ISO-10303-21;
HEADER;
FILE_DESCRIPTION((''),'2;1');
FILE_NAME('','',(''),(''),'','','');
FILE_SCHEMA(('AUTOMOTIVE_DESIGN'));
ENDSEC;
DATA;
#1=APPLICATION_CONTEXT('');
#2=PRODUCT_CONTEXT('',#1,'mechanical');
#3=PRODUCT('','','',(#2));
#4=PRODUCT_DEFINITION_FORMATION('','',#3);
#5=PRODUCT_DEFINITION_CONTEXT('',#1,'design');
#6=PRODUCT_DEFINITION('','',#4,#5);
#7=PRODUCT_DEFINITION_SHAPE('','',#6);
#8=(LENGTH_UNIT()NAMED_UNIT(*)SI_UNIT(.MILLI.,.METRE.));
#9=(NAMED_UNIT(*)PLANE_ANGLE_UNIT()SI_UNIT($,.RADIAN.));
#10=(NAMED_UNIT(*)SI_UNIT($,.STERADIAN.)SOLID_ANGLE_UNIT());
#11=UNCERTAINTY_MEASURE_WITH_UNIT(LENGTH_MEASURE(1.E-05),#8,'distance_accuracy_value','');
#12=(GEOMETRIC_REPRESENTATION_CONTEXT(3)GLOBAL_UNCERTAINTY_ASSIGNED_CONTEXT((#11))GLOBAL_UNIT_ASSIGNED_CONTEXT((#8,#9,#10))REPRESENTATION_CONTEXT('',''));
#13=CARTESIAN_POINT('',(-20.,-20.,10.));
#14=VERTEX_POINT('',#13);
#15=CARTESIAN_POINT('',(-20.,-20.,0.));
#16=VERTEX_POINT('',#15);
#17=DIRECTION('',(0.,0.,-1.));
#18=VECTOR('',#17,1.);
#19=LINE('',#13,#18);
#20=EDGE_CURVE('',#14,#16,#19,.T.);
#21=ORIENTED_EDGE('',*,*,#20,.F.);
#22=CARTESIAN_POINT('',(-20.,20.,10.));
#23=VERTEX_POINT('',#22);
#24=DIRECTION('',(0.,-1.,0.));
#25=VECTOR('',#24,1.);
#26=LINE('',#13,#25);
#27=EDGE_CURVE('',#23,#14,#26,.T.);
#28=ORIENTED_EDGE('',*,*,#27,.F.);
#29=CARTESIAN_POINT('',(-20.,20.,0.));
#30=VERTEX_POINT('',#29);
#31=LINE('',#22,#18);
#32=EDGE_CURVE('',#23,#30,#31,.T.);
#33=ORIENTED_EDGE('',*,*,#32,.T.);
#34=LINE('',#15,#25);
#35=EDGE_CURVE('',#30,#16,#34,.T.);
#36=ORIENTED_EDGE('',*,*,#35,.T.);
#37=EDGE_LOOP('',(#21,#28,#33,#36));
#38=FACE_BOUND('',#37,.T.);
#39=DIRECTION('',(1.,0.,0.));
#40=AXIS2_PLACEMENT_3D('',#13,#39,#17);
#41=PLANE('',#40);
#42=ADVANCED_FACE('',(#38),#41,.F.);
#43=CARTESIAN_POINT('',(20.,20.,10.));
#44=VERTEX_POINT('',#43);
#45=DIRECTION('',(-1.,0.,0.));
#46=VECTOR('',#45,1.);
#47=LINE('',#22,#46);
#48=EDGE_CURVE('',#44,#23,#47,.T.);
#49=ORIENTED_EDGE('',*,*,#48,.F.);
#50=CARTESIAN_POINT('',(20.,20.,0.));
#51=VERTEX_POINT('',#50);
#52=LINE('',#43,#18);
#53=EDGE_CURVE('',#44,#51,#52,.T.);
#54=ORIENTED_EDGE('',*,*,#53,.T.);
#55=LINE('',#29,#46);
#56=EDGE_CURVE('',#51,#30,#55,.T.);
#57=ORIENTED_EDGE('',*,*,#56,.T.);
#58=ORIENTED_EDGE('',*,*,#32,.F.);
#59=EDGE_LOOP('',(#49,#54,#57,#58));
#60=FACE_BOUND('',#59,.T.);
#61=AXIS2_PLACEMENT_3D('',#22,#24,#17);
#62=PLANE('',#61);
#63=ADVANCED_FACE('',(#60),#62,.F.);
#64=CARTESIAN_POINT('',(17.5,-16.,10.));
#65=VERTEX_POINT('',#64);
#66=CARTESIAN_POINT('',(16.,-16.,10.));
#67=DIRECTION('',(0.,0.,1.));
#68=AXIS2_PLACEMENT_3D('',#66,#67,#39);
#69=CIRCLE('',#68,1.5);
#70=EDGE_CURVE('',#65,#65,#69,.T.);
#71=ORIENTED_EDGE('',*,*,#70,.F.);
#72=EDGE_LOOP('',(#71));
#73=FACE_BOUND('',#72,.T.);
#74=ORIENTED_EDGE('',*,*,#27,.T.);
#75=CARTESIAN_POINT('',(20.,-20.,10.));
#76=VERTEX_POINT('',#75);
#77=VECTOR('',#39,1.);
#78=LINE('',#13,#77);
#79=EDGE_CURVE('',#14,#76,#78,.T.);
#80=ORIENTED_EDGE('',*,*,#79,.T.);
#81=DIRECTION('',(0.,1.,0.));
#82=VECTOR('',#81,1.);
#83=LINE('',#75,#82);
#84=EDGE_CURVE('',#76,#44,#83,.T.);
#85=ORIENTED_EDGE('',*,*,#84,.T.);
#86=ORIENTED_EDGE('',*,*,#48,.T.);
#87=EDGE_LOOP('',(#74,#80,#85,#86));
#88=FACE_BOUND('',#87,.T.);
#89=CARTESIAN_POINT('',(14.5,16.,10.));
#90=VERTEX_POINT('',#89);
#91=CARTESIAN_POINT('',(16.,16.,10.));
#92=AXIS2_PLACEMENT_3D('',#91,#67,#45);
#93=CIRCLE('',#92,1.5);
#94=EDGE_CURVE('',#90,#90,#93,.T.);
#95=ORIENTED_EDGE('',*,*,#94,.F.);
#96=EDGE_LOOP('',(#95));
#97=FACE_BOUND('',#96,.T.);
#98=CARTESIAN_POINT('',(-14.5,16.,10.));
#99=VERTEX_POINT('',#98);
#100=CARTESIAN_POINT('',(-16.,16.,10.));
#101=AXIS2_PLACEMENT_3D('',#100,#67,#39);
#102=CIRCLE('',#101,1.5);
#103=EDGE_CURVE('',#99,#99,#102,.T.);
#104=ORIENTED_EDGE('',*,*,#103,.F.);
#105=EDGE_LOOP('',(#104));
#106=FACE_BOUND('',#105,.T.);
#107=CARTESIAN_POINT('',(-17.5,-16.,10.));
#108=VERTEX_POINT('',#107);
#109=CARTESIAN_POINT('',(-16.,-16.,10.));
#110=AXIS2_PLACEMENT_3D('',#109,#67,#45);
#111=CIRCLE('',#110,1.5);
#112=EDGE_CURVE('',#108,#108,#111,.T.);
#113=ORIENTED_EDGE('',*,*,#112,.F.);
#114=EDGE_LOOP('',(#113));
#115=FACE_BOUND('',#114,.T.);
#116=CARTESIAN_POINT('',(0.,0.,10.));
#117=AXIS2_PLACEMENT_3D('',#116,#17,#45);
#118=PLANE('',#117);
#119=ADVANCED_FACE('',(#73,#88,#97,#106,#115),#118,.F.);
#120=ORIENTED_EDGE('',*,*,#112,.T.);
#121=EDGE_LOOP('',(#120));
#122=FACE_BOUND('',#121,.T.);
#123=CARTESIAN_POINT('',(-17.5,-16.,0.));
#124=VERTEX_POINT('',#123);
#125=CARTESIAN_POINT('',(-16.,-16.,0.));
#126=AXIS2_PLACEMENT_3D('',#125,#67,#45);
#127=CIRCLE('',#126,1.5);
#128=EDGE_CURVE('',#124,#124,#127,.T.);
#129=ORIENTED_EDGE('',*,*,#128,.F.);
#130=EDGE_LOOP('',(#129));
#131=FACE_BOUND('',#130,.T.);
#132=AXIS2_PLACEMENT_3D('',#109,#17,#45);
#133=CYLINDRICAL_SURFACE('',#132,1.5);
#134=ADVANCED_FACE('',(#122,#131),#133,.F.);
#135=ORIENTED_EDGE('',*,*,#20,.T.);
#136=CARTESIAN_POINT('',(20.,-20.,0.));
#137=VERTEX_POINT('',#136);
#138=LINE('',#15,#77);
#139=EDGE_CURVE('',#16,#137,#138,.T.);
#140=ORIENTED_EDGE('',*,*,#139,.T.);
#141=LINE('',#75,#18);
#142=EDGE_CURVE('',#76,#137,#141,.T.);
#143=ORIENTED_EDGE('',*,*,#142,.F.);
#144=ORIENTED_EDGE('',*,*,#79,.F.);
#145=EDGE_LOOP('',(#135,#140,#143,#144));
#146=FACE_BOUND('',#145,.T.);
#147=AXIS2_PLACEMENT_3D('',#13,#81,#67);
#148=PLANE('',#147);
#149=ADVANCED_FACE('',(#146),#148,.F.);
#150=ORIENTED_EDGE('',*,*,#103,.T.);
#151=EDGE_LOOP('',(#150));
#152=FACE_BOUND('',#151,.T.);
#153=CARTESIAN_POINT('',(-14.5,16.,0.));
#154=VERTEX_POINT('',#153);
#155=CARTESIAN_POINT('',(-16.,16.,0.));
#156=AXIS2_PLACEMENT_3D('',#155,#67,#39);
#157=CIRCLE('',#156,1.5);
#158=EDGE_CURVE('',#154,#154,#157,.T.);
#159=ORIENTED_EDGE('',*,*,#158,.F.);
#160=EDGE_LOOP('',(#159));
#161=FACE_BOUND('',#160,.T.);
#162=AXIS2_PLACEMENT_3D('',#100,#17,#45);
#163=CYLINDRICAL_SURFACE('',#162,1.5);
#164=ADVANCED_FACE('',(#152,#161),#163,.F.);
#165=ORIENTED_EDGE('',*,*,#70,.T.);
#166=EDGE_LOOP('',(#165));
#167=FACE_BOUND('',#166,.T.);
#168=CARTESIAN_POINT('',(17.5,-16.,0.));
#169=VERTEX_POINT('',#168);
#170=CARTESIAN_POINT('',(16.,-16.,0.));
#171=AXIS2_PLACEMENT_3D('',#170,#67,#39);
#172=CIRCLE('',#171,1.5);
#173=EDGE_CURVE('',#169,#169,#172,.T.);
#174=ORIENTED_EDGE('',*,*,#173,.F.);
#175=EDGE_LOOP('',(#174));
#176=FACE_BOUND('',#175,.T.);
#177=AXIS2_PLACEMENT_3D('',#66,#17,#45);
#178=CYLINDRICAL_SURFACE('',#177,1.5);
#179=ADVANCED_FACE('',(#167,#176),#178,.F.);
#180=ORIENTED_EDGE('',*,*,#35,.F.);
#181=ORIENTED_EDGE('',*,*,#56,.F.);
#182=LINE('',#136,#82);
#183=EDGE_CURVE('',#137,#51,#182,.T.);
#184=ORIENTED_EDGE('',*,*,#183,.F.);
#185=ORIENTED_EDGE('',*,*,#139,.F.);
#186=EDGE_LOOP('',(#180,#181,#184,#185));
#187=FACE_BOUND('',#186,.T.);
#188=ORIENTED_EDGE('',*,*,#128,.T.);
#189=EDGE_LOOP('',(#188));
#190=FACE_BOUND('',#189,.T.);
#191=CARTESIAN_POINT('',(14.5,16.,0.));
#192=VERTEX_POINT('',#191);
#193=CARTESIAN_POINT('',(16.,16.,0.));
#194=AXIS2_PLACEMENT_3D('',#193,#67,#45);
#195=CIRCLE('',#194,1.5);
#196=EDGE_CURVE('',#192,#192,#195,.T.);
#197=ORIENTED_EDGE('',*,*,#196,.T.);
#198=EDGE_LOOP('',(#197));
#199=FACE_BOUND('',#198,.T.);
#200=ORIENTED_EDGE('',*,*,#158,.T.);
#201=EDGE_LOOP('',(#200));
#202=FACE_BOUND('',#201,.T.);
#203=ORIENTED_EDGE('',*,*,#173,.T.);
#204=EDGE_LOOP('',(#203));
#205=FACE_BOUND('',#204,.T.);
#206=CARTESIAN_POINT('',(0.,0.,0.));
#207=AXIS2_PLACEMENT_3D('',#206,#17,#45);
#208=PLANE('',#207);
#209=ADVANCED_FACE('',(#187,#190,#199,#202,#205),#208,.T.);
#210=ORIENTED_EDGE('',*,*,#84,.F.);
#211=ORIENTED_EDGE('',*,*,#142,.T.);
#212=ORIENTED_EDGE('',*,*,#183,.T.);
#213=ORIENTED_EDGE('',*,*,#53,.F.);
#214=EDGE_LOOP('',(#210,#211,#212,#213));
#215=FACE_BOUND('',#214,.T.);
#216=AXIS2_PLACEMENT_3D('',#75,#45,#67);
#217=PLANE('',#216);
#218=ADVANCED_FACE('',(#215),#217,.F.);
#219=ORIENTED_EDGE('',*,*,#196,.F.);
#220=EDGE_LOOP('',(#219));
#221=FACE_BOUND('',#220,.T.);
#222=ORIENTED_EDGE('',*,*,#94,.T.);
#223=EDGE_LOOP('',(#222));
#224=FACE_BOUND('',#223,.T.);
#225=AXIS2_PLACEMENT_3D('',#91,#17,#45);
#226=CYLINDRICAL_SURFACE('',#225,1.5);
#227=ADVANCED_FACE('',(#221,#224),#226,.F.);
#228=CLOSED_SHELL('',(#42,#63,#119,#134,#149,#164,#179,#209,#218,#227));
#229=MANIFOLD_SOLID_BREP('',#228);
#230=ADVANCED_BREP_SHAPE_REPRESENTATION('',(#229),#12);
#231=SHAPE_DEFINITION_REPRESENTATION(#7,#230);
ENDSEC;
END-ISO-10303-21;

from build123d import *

# Parameters (mm, degrees)
ESQUISSE1_W        = 40
ESQUISSE1_H        = 40
ESQUISSE1_R        = 1.5
BOSS_EXTRU_1_DEPTH = 10


with BuildPart() as part:
    # Esquisse1 → Boss.-Extru.1 (new body)
    with BuildSketch(Plane.XY):
        Rectangle(ESQUISSE1_W, ESQUISSE1_H)
        with Locations((-16, 16)):
            Circle(ESQUISSE1_R, mode=Mode.SUBTRACT)
        with Locations(Location((16, 16, 0), (0, 0, 180))):
            Circle(ESQUISSE1_R, mode=Mode.SUBTRACT)
        with Locations((16, -16)):
            Circle(ESQUISSE1_R, mode=Mode.SUBTRACT)
        with Locations(Location((-16, -16, 0), (0, 0, 180))):
            Circle(ESQUISSE1_R, mode=Mode.SUBTRACT)
    extrude(amount=BOSS_EXTRU_1_DEPTH)


solid = part.part
